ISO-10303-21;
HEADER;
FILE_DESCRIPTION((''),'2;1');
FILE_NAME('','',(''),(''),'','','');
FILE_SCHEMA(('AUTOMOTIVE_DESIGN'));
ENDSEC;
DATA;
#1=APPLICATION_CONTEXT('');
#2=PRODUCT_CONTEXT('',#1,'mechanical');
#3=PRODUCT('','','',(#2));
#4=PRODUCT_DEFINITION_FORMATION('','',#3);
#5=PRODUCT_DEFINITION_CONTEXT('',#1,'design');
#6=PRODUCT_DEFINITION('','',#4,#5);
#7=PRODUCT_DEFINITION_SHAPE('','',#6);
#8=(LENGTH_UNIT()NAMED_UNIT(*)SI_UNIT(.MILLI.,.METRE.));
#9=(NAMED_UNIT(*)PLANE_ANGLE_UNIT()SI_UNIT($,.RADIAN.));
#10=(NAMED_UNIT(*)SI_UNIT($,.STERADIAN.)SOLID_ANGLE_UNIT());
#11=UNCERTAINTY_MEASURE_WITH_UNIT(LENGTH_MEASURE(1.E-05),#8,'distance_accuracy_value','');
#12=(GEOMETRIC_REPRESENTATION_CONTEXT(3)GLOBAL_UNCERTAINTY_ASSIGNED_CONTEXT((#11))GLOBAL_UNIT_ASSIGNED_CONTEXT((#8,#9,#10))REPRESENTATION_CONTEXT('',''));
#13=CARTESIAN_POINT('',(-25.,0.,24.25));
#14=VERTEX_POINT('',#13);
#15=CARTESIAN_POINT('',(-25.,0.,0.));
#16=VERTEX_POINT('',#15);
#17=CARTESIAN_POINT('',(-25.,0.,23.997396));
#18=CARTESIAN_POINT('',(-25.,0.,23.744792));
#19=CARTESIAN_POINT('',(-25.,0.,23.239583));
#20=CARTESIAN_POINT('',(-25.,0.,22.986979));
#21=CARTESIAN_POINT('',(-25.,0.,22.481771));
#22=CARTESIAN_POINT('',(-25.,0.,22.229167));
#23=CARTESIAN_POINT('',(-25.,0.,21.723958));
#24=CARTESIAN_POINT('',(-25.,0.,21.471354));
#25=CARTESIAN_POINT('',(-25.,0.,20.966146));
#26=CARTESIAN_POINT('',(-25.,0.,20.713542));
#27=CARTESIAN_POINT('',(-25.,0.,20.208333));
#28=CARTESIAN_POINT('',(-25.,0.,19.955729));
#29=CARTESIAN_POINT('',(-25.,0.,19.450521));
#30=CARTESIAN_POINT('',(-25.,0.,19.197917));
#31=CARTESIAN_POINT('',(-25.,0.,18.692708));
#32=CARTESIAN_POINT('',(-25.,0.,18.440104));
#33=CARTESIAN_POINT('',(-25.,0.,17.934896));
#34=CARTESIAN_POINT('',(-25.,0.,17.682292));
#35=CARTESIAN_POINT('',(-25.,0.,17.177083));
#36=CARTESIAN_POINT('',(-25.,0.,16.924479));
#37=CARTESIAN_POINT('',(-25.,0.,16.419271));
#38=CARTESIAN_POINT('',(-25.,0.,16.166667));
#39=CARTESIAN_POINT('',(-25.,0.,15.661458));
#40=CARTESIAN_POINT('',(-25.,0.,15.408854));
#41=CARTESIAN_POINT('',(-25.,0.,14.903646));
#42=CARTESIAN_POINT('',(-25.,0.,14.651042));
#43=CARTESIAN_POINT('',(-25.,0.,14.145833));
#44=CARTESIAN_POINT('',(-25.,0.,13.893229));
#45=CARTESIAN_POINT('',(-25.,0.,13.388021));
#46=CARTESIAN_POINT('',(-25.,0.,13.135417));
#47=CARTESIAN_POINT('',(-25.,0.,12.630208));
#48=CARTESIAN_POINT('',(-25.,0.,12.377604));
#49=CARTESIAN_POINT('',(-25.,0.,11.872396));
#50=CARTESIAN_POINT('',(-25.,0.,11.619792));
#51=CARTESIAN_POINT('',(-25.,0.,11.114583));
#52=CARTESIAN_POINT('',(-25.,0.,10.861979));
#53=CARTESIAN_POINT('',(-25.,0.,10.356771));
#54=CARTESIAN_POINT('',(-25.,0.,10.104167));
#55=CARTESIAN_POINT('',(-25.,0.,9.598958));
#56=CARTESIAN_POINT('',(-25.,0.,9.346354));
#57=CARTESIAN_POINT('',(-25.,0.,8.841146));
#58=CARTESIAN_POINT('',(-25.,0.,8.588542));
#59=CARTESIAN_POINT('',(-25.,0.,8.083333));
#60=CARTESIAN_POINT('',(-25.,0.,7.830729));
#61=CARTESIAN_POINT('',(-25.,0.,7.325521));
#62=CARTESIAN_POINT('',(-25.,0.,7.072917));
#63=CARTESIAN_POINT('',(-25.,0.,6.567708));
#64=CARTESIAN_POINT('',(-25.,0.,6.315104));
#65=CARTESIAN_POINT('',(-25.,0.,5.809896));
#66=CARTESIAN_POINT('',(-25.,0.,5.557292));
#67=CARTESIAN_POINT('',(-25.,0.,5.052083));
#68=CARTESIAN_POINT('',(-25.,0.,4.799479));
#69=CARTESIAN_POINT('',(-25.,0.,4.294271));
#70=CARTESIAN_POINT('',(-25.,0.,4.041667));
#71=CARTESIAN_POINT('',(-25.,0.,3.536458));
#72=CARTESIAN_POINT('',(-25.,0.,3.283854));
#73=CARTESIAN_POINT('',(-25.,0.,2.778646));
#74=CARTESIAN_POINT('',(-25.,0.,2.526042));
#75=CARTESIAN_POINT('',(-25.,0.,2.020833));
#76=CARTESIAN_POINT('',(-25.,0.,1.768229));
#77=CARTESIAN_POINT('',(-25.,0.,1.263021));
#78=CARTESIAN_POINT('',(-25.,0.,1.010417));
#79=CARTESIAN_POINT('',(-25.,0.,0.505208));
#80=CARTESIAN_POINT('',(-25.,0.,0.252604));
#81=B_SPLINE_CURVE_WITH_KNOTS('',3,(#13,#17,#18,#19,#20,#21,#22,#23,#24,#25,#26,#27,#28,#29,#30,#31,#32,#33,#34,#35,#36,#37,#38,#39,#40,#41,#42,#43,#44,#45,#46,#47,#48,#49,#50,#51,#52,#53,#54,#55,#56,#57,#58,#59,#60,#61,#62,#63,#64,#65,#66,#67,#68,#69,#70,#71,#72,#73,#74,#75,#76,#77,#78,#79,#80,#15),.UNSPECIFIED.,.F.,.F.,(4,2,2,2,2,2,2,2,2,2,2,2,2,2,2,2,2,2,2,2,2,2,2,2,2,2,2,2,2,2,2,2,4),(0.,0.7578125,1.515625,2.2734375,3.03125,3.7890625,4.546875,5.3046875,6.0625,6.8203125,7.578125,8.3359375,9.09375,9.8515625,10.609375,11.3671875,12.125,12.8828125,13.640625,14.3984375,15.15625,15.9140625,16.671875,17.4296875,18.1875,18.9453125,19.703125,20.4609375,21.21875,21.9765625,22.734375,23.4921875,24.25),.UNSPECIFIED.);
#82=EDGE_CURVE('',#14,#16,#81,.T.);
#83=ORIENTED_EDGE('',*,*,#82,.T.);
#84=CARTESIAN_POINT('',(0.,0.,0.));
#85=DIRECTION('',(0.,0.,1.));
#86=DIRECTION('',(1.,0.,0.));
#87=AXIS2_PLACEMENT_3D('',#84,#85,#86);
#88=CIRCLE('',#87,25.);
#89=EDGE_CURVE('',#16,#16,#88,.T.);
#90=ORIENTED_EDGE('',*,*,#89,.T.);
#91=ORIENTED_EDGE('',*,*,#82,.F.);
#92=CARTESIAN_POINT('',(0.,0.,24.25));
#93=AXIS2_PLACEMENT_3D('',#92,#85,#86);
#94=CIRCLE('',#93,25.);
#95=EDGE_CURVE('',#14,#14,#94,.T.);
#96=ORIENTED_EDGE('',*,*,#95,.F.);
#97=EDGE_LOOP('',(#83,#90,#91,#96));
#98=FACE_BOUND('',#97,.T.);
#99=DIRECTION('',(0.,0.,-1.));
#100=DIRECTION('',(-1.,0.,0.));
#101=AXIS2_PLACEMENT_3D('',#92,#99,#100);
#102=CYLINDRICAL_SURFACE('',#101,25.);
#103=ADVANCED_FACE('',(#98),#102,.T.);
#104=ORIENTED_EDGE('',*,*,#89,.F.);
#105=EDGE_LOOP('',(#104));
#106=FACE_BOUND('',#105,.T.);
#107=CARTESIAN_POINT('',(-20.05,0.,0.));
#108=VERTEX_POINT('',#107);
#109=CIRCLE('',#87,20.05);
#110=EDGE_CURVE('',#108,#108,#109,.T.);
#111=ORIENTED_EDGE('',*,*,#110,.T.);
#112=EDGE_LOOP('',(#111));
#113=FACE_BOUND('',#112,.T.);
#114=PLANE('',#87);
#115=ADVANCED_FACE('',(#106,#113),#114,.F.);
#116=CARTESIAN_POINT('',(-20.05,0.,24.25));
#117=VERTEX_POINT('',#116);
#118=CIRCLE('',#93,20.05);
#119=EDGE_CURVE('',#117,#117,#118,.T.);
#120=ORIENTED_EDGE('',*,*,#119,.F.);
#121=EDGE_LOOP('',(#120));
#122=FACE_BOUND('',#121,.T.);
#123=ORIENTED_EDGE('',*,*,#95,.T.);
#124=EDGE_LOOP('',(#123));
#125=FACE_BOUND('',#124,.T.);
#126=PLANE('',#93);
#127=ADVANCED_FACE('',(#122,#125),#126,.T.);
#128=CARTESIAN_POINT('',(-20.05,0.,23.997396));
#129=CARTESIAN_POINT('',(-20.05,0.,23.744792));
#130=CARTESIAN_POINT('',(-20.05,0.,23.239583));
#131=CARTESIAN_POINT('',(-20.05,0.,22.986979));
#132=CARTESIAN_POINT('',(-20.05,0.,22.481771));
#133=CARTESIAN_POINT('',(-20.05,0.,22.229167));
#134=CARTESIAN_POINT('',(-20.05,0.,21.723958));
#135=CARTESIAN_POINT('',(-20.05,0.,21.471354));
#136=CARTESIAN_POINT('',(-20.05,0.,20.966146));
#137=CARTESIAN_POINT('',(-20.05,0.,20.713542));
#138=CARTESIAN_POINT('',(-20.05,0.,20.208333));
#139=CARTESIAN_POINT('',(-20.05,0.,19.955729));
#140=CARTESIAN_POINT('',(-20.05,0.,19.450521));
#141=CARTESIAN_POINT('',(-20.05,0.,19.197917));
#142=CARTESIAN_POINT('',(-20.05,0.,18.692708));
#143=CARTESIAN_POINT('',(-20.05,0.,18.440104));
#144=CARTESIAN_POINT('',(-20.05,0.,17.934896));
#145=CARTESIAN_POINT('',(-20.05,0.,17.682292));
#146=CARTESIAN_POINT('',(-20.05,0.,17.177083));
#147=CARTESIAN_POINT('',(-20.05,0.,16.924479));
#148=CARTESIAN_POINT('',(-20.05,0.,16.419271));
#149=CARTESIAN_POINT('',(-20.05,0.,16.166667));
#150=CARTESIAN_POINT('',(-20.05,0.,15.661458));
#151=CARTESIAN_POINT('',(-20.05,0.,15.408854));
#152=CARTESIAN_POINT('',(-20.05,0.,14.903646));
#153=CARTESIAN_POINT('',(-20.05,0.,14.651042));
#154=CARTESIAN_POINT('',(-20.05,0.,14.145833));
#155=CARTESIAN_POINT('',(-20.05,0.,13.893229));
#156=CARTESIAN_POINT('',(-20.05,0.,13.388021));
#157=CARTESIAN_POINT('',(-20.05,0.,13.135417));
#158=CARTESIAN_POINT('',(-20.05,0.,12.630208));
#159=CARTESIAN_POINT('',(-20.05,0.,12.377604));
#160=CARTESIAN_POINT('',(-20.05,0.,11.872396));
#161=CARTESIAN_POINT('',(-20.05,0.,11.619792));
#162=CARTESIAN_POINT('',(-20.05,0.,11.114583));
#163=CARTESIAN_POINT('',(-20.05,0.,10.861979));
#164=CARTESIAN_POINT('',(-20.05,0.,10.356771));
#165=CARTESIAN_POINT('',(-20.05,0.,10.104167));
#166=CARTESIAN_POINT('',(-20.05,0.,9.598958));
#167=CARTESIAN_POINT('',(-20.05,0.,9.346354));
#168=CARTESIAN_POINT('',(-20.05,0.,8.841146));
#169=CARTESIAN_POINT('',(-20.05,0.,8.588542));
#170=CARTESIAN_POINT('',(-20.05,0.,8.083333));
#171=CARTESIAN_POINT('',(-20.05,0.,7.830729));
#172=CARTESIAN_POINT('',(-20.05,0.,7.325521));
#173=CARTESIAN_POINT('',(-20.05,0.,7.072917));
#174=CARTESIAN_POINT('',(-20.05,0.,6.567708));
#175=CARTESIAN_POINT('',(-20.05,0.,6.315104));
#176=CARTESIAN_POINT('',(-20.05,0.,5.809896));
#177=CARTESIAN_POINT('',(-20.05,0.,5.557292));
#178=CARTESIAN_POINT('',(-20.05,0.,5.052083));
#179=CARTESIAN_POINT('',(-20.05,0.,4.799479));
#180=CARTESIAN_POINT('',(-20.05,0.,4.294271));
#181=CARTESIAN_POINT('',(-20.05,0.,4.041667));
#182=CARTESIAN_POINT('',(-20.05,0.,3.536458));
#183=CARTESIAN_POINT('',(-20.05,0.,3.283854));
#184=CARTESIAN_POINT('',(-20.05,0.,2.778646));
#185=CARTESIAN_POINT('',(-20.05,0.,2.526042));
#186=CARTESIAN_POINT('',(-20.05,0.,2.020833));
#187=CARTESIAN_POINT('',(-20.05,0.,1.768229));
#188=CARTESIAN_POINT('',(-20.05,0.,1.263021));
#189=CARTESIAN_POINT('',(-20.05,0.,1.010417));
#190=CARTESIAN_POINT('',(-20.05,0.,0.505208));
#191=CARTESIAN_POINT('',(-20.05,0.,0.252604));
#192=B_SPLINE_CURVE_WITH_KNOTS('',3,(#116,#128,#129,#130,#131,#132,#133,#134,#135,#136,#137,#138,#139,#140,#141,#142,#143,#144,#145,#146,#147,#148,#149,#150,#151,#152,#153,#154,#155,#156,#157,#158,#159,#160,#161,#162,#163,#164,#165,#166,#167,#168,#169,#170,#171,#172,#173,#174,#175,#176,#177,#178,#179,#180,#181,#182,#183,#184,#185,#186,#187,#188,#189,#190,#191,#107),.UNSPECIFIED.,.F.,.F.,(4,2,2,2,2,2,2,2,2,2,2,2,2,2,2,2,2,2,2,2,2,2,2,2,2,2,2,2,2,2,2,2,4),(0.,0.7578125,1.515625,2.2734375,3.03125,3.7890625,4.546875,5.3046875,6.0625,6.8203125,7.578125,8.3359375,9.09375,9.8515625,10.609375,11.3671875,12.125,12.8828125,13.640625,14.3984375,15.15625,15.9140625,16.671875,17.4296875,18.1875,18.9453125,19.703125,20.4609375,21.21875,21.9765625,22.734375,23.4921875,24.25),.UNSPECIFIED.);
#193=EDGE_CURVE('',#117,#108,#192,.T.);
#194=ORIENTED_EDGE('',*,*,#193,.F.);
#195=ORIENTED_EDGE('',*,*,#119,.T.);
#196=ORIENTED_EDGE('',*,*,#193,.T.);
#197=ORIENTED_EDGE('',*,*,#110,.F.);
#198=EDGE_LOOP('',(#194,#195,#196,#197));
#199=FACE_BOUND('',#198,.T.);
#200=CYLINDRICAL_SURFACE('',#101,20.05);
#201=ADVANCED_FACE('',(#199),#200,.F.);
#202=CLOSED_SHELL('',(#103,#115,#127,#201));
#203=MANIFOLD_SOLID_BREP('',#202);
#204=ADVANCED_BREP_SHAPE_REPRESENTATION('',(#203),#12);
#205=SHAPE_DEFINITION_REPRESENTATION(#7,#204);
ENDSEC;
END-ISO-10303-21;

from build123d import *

# Parameters (mm, degrees)
SKETCH_1_R      = 25
SKETCH_1_R_2    = 20.05
EXTRUDE_1_DEPTH = 24.25


with BuildPart() as part:
    # ｽｹｯﾁ1 → ﾎﾞｽ - 押し出し1 (new body)
    with BuildSketch(Plane.XY):
        with Locations(Location((0, 0, 0), (0, 0, 180))):
            Circle(SKETCH_1_R)
        with Locations(Location((0, 0, 0), (0, 0, 180))):
            Circle(SKETCH_1_R_2, mode=Mode.SUBTRACT)
    extrude(amount=EXTRUDE_1_DEPTH)


solid = part.part
